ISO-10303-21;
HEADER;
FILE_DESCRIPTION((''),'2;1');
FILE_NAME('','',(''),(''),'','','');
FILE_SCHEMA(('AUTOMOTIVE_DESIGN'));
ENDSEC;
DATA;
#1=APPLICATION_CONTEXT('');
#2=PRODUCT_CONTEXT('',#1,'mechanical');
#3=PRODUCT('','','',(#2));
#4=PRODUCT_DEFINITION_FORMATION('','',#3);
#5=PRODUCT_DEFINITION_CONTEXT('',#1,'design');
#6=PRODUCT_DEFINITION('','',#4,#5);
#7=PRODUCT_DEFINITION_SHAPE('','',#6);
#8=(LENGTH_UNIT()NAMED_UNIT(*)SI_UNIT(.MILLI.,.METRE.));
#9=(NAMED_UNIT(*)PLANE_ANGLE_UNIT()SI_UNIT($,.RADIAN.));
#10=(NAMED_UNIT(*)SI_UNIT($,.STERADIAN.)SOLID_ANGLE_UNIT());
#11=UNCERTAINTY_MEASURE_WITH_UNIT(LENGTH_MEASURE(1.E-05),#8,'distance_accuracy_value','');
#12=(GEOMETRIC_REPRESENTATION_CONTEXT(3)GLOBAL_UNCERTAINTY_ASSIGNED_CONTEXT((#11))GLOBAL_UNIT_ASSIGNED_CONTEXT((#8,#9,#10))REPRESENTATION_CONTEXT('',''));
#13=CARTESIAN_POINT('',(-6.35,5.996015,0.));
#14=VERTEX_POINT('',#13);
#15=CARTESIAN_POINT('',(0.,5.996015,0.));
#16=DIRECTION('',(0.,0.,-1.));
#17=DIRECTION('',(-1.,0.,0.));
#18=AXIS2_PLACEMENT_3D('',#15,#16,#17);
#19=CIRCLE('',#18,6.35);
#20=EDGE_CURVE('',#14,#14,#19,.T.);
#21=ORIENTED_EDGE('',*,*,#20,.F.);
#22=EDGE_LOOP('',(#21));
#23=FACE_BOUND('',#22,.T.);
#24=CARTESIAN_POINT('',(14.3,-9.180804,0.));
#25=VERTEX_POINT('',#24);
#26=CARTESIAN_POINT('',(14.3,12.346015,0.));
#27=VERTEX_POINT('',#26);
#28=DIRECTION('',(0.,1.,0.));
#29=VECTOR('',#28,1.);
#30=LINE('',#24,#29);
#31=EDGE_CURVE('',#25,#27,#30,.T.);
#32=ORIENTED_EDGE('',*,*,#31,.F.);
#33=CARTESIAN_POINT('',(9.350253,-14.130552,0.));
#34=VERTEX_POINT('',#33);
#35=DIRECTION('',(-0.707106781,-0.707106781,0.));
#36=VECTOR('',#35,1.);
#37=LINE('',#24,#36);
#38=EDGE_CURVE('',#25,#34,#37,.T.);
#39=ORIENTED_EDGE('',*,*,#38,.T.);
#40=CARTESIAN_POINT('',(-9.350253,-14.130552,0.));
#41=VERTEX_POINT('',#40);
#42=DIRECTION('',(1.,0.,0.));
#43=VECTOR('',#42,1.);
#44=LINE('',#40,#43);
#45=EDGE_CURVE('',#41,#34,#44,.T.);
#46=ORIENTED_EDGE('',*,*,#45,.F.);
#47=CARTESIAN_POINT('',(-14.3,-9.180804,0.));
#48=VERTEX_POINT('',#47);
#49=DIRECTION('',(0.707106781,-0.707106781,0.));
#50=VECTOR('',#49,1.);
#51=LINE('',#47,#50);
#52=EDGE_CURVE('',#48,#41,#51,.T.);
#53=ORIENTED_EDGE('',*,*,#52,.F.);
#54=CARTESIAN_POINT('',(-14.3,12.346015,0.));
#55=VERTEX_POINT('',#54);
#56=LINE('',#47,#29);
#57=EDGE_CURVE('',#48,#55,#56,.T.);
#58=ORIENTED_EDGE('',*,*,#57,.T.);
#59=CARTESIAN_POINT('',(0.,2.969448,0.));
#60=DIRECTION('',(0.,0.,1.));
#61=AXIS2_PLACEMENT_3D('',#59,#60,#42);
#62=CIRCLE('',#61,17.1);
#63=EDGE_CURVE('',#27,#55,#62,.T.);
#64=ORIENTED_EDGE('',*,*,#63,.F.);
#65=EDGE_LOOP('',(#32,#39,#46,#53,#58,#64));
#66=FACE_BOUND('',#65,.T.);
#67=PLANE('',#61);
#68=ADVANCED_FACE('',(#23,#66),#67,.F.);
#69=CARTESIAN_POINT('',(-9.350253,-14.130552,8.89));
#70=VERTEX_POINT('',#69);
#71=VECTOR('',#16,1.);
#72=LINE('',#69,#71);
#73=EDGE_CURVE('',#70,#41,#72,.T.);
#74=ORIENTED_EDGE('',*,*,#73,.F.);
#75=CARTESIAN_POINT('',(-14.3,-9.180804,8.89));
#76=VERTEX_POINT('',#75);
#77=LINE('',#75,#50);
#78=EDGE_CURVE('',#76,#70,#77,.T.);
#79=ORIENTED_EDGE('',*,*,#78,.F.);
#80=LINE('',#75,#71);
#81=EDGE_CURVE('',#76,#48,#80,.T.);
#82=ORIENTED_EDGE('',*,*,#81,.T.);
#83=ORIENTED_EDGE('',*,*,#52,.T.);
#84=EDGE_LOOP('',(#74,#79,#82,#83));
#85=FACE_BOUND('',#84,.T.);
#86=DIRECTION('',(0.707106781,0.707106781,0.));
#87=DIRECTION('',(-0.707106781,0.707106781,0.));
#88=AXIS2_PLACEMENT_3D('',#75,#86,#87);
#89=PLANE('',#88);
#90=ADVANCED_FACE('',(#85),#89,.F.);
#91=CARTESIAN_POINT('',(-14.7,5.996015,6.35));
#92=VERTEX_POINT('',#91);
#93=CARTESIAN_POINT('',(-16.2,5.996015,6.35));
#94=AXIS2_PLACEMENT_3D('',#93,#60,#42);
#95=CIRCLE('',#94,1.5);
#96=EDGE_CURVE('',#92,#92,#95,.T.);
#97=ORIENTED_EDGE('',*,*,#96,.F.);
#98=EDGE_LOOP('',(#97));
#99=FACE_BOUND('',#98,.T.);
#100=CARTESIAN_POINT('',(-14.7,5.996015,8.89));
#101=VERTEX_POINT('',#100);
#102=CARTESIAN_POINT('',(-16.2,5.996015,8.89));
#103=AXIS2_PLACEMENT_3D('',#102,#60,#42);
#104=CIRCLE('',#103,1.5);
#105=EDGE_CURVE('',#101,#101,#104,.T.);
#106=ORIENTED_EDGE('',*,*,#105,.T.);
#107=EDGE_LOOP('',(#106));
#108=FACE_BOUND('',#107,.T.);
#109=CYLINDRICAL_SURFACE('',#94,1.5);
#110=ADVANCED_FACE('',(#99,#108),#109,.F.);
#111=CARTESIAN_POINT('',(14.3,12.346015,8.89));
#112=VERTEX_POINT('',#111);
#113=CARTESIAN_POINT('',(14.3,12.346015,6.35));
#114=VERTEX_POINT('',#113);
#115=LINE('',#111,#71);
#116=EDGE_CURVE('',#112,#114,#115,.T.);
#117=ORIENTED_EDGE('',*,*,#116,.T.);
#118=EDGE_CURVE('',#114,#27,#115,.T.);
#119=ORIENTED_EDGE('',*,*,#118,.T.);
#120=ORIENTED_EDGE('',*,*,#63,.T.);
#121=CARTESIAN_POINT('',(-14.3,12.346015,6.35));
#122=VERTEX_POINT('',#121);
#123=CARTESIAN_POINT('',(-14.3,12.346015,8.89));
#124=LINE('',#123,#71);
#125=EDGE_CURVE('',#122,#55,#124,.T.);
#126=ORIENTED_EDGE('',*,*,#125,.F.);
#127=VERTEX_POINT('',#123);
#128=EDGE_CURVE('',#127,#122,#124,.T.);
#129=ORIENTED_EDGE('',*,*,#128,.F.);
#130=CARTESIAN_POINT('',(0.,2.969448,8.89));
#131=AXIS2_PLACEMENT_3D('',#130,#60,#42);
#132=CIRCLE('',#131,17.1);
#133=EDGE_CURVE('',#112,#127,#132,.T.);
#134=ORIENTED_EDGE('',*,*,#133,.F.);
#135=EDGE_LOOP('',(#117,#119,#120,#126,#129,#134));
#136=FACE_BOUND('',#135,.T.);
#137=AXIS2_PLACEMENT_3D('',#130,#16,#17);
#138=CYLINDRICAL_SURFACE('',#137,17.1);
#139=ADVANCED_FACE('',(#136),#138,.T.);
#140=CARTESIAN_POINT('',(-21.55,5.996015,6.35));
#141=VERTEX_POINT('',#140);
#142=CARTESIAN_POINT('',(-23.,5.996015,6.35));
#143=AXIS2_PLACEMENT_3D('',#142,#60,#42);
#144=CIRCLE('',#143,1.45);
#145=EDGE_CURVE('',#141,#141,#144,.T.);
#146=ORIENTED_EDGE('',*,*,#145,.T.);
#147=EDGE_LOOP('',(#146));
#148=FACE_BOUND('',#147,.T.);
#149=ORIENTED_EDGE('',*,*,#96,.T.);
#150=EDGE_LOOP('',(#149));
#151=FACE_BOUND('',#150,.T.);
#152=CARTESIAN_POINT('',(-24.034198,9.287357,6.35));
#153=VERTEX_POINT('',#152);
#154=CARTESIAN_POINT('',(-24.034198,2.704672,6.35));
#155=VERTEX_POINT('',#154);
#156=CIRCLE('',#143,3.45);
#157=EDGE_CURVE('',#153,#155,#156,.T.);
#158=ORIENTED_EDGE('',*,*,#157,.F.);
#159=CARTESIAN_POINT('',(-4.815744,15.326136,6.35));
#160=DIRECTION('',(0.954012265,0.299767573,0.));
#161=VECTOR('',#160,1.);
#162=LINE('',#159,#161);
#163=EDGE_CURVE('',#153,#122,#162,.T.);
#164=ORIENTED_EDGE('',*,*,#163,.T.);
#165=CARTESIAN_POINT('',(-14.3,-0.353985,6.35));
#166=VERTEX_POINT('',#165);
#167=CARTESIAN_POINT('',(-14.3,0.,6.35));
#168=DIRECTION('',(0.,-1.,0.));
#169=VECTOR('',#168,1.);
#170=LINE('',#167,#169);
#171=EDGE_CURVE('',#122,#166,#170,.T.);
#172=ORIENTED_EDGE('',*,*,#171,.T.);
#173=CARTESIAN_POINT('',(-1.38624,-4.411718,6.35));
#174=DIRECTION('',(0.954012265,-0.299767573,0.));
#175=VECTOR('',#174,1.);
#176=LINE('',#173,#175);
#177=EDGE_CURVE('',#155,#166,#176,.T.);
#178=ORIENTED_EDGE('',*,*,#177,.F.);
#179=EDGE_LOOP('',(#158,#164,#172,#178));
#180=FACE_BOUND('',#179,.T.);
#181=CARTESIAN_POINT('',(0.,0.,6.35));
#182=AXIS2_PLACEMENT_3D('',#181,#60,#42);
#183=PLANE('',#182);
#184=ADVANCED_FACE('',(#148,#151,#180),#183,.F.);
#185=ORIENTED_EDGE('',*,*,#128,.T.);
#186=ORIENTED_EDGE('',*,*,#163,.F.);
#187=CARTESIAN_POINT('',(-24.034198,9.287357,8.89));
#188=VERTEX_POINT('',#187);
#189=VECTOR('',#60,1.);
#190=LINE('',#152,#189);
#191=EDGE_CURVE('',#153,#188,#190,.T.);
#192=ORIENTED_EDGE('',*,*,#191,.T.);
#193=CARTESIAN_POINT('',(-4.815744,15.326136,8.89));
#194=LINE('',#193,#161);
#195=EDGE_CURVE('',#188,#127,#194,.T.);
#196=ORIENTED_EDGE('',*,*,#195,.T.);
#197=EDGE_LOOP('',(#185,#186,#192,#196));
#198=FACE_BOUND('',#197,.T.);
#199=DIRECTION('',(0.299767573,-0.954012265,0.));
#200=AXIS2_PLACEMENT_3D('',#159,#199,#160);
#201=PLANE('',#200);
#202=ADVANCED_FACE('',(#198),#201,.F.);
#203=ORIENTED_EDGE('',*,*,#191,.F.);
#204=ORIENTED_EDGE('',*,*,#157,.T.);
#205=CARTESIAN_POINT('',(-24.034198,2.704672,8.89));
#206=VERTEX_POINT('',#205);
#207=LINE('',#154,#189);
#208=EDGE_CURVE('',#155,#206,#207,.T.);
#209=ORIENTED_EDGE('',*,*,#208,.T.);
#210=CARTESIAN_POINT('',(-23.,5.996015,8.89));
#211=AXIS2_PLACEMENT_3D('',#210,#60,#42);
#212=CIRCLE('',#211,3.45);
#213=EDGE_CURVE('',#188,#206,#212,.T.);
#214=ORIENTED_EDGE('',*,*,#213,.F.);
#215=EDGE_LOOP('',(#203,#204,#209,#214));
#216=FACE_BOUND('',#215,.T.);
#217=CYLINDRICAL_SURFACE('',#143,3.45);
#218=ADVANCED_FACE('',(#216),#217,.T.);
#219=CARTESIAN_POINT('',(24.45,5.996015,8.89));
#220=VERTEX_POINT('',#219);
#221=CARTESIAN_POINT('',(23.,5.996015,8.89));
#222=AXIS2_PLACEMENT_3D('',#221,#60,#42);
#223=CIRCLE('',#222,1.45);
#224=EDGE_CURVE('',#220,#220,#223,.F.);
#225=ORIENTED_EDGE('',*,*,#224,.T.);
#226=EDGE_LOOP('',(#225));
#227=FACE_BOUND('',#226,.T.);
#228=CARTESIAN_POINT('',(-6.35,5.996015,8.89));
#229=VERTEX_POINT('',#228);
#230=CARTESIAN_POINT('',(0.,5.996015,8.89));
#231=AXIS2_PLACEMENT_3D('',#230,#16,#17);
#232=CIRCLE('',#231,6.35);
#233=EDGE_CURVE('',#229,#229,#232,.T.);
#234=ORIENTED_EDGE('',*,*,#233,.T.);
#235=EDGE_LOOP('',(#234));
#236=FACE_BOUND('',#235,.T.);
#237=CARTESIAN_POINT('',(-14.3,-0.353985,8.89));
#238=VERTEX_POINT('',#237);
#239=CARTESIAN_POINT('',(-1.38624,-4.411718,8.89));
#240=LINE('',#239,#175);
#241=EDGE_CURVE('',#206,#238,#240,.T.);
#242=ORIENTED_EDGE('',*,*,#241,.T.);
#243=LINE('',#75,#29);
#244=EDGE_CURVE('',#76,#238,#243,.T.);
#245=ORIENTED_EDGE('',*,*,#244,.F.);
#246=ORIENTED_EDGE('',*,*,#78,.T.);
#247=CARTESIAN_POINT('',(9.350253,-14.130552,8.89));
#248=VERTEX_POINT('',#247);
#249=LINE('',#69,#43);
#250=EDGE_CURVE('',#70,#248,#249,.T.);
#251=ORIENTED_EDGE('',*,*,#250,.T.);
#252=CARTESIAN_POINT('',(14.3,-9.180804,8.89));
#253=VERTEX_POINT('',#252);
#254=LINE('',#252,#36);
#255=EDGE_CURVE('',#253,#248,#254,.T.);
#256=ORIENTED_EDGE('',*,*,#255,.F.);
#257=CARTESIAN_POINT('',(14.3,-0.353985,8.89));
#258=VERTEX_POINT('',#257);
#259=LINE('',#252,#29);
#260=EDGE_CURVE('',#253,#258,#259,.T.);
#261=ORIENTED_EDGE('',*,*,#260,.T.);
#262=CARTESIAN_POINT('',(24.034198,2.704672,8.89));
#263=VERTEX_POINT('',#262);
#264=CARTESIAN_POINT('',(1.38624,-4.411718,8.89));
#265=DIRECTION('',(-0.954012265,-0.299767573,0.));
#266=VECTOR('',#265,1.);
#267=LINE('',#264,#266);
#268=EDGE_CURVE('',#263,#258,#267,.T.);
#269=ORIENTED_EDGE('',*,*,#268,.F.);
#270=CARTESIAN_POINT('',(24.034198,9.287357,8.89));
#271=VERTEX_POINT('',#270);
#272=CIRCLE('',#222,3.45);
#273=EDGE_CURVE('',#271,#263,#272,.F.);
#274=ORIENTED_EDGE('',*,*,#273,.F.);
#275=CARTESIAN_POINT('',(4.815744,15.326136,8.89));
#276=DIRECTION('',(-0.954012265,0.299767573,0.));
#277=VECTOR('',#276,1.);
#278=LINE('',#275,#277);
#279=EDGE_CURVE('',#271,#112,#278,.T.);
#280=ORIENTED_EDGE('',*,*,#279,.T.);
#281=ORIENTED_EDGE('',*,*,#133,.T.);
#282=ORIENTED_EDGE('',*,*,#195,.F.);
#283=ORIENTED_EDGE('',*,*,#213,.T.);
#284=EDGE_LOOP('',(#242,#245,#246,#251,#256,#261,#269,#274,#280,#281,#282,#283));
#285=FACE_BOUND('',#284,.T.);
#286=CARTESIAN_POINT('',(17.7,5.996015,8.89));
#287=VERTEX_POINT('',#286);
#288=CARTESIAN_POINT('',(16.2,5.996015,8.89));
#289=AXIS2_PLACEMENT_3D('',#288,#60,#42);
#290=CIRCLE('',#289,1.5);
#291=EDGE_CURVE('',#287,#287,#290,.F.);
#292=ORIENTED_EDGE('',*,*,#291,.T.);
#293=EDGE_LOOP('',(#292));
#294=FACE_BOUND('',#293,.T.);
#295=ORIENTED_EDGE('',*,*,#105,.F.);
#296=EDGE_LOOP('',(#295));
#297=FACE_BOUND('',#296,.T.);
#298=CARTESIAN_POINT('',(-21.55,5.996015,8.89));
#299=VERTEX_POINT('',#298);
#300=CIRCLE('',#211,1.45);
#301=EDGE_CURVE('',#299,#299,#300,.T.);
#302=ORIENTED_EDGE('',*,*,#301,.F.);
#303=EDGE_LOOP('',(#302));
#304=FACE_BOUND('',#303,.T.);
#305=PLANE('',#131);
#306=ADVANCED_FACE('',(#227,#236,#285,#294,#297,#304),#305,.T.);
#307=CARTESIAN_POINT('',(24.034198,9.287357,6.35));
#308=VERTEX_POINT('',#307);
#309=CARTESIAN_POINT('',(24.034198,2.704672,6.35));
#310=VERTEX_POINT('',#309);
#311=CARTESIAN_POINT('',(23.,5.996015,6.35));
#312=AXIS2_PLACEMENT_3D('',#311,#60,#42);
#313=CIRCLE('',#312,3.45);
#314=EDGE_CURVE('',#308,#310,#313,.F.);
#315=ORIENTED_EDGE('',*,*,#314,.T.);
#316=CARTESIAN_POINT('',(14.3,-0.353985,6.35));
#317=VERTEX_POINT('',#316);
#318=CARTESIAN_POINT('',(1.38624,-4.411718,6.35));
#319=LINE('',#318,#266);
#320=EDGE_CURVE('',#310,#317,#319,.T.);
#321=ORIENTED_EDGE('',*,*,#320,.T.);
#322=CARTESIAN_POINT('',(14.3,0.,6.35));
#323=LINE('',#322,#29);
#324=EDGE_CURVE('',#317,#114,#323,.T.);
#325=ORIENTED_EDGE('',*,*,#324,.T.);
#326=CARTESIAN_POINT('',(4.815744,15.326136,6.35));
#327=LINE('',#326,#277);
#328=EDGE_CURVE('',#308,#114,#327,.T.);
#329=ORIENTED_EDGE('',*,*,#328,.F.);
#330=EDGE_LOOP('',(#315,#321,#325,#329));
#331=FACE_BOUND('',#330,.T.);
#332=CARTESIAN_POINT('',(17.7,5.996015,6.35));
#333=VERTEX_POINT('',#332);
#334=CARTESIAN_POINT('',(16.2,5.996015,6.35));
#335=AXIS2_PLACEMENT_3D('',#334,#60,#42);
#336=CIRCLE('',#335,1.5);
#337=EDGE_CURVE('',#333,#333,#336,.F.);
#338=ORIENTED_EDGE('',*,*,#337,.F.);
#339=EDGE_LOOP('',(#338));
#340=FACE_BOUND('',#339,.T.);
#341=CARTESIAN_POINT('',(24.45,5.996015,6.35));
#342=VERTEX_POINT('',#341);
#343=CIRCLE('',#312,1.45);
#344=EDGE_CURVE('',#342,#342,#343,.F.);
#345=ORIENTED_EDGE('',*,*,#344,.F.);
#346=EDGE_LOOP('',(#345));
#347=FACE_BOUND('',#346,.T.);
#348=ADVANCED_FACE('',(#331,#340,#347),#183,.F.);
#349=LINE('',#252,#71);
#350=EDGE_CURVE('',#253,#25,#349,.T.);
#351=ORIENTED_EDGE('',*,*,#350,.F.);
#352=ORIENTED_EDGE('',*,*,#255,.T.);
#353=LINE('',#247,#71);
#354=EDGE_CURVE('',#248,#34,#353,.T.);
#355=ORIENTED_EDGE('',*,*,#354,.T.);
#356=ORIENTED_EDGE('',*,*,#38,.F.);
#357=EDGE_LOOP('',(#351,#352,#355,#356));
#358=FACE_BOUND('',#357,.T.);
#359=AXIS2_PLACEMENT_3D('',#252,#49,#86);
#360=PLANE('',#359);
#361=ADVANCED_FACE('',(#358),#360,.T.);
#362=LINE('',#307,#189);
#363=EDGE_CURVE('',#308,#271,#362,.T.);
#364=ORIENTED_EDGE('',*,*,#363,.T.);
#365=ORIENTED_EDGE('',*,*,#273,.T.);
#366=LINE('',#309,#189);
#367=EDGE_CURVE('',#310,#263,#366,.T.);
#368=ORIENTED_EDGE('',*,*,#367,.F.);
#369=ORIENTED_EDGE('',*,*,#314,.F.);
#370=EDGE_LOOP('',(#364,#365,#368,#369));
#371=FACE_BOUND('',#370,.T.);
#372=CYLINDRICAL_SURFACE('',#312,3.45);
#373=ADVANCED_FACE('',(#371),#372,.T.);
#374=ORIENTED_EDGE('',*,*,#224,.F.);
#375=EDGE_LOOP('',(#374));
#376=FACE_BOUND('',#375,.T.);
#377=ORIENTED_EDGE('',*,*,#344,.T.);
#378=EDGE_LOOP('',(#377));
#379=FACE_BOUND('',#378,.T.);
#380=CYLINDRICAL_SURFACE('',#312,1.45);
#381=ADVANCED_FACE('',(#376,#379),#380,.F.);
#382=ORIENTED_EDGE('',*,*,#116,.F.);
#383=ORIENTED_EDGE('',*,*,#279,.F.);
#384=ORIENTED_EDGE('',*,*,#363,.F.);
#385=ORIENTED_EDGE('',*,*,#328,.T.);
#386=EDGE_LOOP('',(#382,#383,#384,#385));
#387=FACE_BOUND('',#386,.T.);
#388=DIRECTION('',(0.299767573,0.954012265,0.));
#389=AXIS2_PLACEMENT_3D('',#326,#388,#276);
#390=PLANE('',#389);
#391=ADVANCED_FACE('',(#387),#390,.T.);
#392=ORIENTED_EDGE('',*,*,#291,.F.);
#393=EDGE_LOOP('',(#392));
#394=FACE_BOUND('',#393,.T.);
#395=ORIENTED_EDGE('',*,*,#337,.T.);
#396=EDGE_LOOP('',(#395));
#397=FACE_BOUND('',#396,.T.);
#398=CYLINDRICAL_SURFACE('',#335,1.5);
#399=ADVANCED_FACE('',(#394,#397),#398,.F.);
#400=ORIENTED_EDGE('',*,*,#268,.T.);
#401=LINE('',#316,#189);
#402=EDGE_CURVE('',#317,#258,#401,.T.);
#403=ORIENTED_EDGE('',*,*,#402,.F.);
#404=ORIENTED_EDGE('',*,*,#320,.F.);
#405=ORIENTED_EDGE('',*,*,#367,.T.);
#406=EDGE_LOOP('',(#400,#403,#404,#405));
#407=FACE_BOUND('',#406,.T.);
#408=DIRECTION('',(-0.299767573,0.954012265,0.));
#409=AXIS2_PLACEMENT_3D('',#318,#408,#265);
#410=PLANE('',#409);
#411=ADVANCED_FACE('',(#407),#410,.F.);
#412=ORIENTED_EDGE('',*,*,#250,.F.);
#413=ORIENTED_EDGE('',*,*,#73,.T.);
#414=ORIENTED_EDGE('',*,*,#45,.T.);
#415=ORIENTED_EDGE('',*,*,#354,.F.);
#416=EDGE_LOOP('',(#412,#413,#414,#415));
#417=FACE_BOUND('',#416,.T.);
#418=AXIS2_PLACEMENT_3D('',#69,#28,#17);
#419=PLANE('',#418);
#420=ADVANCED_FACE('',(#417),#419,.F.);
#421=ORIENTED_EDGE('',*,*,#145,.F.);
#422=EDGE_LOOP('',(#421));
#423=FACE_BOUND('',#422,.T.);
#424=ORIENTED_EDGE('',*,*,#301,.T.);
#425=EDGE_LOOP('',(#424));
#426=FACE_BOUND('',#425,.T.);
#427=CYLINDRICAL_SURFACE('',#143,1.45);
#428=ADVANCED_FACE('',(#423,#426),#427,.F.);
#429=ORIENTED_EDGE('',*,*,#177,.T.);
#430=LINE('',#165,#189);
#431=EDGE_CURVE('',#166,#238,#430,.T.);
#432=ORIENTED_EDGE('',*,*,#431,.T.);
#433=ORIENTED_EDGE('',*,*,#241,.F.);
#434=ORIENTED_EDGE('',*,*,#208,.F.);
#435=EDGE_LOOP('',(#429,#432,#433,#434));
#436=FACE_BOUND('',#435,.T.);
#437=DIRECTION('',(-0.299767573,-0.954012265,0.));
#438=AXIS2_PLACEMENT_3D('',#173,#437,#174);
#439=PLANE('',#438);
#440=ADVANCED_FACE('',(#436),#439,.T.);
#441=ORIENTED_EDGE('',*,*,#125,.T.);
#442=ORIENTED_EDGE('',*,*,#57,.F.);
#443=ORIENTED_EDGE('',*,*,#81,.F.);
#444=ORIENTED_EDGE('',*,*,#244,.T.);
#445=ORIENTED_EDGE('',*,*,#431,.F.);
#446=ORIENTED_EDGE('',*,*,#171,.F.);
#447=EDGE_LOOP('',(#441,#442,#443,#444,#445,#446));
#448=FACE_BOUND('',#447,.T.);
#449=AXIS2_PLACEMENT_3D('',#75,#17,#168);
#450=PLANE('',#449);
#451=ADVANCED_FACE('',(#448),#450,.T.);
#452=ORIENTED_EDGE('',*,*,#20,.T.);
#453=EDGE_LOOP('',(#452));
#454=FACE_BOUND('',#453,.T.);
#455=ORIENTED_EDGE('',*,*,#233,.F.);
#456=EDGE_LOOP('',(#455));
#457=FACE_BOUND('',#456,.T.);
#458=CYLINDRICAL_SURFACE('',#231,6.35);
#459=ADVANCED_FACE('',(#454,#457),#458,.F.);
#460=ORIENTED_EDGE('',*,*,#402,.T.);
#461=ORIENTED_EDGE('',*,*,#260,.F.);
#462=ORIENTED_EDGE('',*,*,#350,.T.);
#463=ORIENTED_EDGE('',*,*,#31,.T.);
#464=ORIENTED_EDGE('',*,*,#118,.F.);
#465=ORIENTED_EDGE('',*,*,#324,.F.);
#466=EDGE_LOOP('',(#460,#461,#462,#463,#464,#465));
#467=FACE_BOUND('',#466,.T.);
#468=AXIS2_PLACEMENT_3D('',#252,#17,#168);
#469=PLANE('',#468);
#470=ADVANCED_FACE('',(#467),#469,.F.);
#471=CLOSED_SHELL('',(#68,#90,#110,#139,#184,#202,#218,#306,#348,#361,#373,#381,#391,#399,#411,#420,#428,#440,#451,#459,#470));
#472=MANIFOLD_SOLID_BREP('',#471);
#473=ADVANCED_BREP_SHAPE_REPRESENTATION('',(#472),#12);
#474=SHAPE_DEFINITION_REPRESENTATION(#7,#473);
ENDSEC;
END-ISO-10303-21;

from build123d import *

# Parameters (mm, degrees)
BOSS_EXTRUDE1_DEPTH = 8.89
SKETCH2_R           = 6.35
CUT_EXTRUDE1_DEPTH  = 27.197420728
SKETCH3_R           = 1.5
SKETCH3_R_2         = 1.45
BOSS_EXTRUDE2_DEPTH = 2.54


with BuildPart() as part:
    # Sketch1 → Boss-Extrude1 (new body)
    with BuildSketch(Plane.XY):
        with BuildLine():
            Line((-9.350252532, -14.130551756), (9.350252532, -14.130551756))
            Line((9.350252532, -14.130551756), (14.3, -9.180804288))
            Line((14.3, -9.180804288), (14.3, 12.34601478))
            ThreePointArc((14.3, 12.34601478), (0, 20.069448244), (-14.3, 12.34601478))
            Line((-14.3, 12.34601478), (-14.3, -9.180804288))
            Line((-14.3, -9.180804288), (-9.350252532, -14.130551756))
        make_face()
    extrude(amount=BOSS_EXTRUDE1_DEPTH)

    # Sketch2 → Cut-Extrude1 (cut, through all)
    with BuildSketch(Plane(origin=(0, 0, 0), x_dir=(-1, 0, 0), z_dir=(0, 0, -1))):
        with Locations((0, 5.99601478)):
            Circle(SKETCH2_R)
    extrude(amount=-CUT_EXTRUDE1_DEPTH, mode=Mode.SUBTRACT)

    # Sketch3 → Boss-Extrude2 (add)
    # profile 1 of 2: a face of its own
    with BuildSketch(Plane.XY.offset(8.89)):
        with BuildLine():
            Line((-14.3, 12.34601478), (-24.034198127, 9.287357095))
            ThreePointArc((-24.034198127, 9.287357095), (-26.45, 5.99601478), (-24.034198127, 2.704672465))
            Line((-24.034198127, 2.704672465), (-14.3, -0.35398522))
            Line((-14.3, -0.35398522), (-14.3, 12.34601478))
        make_face()
        with Locations((-16.2, 5.99601478)):
            Circle(SKETCH3_R, mode=Mode.SUBTRACT)
        with Locations((-23, 5.99601478)):
            Circle(SKETCH3_R_2, mode=Mode.SUBTRACT)
    # profile 2 of 2: a face of its own
    with BuildSketch(Plane.XY.offset(8.89)):
        with BuildLine():
            Line((14.3, 12.34601478), (14.3, -0.35398522))
            Line((14.3, -0.35398522), (24.034198127, 2.704672465))
            ThreePointArc((24.034198127, 2.704672465), (26.45, 5.99601478), (24.034198127, 9.287357095))
            Line((24.034198127, 9.287357095), (14.3, 12.34601478))
        make_face()
        with Locations((16.2, 5.99601478)):
            Circle(SKETCH3_R, mode=Mode.SUBTRACT)
        with Locations((23, 5.99601478)):
            Circle(SKETCH3_R_2, mode=Mode.SUBTRACT)
    extrude(amount=-BOSS_EXTRUDE2_DEPTH)


solid = part.part
